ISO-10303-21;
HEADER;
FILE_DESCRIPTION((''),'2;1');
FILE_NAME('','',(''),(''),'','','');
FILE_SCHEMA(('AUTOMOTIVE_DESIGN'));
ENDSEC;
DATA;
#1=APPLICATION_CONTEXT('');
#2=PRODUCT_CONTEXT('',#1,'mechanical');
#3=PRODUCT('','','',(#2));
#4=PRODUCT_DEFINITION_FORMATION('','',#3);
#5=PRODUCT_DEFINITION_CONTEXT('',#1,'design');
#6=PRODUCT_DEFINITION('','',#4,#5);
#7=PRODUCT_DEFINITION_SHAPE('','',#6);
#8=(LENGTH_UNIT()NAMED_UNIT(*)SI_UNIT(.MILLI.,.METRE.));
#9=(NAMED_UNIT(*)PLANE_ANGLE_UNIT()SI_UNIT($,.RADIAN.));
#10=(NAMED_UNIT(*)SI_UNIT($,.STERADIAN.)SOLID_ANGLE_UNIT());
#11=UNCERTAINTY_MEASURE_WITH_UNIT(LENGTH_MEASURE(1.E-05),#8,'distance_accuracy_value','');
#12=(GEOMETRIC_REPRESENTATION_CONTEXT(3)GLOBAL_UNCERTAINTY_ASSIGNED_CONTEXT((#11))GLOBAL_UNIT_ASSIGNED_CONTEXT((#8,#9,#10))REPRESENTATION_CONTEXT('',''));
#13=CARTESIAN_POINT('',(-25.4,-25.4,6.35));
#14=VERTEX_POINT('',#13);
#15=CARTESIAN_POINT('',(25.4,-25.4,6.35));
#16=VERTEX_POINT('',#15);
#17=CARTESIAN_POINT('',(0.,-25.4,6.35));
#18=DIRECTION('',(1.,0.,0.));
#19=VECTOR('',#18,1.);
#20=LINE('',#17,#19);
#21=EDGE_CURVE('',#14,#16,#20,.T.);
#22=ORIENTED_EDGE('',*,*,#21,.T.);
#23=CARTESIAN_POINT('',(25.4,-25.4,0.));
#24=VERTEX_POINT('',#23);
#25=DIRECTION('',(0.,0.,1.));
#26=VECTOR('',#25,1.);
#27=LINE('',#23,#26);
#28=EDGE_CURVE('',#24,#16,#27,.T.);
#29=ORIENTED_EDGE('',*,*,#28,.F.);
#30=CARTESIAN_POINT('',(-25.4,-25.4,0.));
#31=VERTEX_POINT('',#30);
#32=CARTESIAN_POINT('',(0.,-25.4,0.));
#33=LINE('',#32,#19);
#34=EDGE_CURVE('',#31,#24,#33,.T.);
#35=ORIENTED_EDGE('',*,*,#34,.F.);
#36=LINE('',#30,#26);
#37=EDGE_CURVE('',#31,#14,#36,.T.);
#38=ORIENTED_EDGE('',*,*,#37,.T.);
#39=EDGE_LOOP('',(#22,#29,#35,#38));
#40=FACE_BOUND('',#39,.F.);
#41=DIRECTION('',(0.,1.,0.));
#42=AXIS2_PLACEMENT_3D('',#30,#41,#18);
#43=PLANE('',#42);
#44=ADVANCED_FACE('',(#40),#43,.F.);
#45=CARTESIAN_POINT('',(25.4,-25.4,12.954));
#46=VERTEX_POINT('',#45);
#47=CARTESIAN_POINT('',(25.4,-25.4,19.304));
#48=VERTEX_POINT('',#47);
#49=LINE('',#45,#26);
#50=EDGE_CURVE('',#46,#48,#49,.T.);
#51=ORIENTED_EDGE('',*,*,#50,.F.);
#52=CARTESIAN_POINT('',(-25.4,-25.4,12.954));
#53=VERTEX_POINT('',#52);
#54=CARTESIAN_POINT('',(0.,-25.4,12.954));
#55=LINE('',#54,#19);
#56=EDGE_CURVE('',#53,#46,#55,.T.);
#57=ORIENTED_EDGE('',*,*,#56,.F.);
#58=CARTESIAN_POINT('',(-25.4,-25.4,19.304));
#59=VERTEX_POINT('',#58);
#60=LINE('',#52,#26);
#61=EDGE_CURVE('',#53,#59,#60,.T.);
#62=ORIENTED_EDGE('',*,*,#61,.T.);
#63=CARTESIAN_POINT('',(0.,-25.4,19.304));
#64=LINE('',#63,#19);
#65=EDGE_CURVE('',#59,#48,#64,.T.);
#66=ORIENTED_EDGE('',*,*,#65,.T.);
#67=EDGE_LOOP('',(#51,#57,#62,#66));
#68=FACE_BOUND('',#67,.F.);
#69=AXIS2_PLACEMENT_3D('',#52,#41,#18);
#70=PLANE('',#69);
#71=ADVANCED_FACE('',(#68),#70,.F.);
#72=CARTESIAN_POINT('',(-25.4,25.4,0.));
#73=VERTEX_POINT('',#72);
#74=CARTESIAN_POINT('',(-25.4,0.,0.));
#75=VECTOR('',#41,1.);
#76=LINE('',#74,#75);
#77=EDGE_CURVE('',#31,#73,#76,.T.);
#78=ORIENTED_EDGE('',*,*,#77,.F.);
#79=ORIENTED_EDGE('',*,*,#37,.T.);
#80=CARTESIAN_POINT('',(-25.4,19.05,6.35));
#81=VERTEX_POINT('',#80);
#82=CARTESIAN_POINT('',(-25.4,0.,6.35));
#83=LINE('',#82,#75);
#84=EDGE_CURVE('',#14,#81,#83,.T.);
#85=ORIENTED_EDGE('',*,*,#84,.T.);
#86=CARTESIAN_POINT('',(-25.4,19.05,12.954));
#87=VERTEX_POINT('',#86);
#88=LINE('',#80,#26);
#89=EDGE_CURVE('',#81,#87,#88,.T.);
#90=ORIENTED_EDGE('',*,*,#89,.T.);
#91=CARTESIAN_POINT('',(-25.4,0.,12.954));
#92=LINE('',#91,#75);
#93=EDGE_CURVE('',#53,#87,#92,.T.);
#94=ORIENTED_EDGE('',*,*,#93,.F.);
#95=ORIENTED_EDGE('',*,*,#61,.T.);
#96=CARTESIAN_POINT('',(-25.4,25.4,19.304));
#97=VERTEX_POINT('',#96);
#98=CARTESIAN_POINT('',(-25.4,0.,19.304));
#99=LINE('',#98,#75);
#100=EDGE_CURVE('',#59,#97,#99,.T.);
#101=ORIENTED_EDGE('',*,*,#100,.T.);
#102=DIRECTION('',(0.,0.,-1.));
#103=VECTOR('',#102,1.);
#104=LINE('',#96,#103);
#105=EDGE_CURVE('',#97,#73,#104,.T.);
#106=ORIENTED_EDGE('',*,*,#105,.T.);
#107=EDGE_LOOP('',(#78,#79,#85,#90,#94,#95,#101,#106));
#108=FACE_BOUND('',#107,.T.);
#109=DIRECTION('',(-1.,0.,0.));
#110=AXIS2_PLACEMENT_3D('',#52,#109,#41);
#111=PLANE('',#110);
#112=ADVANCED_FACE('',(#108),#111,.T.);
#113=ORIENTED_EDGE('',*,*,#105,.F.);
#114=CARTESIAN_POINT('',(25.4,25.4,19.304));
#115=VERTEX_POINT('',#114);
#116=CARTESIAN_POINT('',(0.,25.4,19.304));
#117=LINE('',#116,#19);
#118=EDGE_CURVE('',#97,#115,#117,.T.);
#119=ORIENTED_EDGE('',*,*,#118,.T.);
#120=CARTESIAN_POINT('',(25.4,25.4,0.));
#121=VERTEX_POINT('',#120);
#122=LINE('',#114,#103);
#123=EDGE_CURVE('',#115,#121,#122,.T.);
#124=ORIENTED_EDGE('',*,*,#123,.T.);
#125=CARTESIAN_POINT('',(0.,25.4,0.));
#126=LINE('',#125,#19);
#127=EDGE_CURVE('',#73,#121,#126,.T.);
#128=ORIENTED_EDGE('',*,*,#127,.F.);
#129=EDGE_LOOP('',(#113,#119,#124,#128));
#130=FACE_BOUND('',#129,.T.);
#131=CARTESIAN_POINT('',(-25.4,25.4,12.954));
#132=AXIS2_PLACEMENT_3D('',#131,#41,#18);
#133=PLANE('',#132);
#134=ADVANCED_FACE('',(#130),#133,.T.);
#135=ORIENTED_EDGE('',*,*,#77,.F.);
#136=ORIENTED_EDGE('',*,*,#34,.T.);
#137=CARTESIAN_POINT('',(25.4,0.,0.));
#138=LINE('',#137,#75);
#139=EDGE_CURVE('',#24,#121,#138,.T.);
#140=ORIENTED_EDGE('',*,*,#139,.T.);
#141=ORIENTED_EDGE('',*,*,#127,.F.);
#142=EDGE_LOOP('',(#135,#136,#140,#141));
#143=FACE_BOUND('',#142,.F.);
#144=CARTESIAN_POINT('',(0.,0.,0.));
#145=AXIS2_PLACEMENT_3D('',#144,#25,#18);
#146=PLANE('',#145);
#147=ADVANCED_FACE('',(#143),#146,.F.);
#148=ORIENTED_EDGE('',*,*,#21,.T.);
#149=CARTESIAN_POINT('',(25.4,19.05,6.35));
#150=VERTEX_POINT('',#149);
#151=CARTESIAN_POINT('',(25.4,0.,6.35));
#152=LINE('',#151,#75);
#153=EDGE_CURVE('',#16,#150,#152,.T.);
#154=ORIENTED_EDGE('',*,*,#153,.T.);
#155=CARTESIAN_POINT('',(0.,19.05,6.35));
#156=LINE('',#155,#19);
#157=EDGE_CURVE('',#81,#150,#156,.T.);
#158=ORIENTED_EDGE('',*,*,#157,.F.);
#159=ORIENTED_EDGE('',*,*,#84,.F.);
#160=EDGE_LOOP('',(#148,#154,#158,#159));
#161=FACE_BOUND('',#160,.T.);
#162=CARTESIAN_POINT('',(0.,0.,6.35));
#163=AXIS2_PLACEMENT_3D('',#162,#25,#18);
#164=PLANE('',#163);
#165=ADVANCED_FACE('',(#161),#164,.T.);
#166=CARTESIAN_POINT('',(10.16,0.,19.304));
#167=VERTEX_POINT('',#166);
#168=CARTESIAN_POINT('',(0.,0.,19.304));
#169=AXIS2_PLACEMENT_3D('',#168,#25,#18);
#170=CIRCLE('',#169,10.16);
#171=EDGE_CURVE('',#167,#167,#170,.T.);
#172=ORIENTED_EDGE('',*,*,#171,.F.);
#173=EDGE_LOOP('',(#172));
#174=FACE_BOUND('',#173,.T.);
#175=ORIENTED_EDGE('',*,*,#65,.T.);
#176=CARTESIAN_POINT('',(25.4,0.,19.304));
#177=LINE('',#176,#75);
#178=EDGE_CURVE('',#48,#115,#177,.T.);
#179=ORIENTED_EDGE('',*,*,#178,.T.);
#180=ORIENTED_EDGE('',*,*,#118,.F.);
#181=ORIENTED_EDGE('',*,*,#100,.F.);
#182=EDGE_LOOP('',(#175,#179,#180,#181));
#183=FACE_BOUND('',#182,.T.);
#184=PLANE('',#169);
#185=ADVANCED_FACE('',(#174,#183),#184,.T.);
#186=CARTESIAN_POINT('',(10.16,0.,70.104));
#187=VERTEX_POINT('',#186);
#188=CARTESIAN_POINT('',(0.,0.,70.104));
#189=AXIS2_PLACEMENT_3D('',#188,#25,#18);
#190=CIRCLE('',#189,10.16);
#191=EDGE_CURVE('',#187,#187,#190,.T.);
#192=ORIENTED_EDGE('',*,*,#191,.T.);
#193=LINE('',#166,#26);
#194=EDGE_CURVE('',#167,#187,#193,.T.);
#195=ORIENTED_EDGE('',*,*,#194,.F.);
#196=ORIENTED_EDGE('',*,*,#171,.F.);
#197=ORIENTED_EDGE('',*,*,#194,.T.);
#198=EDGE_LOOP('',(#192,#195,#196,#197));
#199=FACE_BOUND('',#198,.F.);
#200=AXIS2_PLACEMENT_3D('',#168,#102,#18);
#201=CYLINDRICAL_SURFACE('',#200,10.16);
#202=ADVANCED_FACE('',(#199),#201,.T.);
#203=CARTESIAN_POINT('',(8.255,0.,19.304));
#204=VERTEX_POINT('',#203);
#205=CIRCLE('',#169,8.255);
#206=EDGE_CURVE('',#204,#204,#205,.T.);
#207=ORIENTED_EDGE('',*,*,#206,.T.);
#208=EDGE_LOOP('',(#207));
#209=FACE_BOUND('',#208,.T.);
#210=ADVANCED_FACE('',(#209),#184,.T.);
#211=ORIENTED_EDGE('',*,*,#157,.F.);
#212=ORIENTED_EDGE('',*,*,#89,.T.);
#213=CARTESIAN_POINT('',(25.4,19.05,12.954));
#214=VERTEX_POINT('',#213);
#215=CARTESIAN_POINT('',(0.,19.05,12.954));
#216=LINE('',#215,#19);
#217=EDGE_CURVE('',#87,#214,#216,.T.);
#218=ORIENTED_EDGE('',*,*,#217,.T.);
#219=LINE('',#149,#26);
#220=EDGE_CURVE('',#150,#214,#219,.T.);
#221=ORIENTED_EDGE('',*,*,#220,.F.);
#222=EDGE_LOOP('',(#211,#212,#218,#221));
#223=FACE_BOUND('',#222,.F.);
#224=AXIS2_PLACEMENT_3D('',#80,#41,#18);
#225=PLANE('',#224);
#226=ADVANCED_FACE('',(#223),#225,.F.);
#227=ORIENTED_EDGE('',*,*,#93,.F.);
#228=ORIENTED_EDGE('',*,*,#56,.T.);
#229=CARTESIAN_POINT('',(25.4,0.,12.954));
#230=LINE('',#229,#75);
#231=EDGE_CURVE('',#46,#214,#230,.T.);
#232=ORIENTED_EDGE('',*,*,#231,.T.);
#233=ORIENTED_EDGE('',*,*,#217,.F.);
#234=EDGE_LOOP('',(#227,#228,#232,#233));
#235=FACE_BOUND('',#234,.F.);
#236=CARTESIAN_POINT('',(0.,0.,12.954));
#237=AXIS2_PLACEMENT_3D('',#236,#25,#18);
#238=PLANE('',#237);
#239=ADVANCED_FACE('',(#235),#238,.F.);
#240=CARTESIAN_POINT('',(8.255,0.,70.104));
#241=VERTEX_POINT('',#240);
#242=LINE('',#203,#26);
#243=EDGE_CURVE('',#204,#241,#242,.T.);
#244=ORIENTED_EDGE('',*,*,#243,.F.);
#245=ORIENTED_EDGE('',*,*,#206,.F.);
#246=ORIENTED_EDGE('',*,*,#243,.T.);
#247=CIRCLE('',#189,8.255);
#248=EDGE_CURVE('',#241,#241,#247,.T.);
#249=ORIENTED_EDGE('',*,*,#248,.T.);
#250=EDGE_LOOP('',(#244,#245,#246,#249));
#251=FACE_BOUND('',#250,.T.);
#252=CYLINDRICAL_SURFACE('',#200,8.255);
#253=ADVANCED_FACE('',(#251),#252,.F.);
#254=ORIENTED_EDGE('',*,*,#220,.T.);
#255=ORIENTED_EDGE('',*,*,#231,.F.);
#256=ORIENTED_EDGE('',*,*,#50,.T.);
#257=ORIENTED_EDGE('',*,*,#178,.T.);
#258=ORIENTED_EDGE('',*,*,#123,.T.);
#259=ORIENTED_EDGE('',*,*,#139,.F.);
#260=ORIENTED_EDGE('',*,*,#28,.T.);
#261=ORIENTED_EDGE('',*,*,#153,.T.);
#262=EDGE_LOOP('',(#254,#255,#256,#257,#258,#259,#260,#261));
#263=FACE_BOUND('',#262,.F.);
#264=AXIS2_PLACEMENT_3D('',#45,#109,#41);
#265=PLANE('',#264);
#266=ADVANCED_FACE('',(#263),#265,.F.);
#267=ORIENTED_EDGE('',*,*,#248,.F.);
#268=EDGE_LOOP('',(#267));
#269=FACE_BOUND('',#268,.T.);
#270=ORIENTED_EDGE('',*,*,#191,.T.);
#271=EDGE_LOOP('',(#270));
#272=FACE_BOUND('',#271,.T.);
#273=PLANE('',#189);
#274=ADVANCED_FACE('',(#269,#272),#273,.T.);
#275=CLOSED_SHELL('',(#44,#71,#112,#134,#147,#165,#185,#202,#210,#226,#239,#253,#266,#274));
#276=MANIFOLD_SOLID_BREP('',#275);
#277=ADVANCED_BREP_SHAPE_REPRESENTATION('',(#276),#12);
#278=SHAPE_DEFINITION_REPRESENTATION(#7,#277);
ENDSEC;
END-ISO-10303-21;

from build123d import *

# Parameters (mm, degrees)
F0_W     = 50.8
F0_H     = 50.8
F1_DEPTH = 6.35
F2_W     = 50.8
F2_H     = 6.35
F3_DEPTH = 6.604
F4_W     = 50.8
F4_H     = 50.8
F5_DEPTH = 6.35
F6_R     = 10.16
F6_R_2   = 8.255
F7_DEPTH = 50.8


with BuildPart() as f1:
    # F0 (on Top) → F1 (new body)
    with BuildSketch(Plane.XY):
        Rectangle(F0_W, F0_H)
    extrude(amount=F1_DEPTH)

    # F2 (on face) → F3 (join)
    with BuildSketch(Plane.XY.offset(6.35)):
        with Locations((0, 22.225)):
            Rectangle(F2_W, F2_H)
    extrude(amount=F3_DEPTH)

    # F4 (on face) → F5 (join)
    with BuildSketch(Plane.XY.offset(12.954)):
        Rectangle(F4_W, F4_H)
    extrude(amount=F5_DEPTH)

    # F6 (on face) → F7 (join)
    with BuildSketch(Plane.XY.offset(19.304)):
        Circle(F6_R)
        Circle(F6_R_2, mode=Mode.SUBTRACT)
    extrude(amount=F7_DEPTH)


solid = f1.part
